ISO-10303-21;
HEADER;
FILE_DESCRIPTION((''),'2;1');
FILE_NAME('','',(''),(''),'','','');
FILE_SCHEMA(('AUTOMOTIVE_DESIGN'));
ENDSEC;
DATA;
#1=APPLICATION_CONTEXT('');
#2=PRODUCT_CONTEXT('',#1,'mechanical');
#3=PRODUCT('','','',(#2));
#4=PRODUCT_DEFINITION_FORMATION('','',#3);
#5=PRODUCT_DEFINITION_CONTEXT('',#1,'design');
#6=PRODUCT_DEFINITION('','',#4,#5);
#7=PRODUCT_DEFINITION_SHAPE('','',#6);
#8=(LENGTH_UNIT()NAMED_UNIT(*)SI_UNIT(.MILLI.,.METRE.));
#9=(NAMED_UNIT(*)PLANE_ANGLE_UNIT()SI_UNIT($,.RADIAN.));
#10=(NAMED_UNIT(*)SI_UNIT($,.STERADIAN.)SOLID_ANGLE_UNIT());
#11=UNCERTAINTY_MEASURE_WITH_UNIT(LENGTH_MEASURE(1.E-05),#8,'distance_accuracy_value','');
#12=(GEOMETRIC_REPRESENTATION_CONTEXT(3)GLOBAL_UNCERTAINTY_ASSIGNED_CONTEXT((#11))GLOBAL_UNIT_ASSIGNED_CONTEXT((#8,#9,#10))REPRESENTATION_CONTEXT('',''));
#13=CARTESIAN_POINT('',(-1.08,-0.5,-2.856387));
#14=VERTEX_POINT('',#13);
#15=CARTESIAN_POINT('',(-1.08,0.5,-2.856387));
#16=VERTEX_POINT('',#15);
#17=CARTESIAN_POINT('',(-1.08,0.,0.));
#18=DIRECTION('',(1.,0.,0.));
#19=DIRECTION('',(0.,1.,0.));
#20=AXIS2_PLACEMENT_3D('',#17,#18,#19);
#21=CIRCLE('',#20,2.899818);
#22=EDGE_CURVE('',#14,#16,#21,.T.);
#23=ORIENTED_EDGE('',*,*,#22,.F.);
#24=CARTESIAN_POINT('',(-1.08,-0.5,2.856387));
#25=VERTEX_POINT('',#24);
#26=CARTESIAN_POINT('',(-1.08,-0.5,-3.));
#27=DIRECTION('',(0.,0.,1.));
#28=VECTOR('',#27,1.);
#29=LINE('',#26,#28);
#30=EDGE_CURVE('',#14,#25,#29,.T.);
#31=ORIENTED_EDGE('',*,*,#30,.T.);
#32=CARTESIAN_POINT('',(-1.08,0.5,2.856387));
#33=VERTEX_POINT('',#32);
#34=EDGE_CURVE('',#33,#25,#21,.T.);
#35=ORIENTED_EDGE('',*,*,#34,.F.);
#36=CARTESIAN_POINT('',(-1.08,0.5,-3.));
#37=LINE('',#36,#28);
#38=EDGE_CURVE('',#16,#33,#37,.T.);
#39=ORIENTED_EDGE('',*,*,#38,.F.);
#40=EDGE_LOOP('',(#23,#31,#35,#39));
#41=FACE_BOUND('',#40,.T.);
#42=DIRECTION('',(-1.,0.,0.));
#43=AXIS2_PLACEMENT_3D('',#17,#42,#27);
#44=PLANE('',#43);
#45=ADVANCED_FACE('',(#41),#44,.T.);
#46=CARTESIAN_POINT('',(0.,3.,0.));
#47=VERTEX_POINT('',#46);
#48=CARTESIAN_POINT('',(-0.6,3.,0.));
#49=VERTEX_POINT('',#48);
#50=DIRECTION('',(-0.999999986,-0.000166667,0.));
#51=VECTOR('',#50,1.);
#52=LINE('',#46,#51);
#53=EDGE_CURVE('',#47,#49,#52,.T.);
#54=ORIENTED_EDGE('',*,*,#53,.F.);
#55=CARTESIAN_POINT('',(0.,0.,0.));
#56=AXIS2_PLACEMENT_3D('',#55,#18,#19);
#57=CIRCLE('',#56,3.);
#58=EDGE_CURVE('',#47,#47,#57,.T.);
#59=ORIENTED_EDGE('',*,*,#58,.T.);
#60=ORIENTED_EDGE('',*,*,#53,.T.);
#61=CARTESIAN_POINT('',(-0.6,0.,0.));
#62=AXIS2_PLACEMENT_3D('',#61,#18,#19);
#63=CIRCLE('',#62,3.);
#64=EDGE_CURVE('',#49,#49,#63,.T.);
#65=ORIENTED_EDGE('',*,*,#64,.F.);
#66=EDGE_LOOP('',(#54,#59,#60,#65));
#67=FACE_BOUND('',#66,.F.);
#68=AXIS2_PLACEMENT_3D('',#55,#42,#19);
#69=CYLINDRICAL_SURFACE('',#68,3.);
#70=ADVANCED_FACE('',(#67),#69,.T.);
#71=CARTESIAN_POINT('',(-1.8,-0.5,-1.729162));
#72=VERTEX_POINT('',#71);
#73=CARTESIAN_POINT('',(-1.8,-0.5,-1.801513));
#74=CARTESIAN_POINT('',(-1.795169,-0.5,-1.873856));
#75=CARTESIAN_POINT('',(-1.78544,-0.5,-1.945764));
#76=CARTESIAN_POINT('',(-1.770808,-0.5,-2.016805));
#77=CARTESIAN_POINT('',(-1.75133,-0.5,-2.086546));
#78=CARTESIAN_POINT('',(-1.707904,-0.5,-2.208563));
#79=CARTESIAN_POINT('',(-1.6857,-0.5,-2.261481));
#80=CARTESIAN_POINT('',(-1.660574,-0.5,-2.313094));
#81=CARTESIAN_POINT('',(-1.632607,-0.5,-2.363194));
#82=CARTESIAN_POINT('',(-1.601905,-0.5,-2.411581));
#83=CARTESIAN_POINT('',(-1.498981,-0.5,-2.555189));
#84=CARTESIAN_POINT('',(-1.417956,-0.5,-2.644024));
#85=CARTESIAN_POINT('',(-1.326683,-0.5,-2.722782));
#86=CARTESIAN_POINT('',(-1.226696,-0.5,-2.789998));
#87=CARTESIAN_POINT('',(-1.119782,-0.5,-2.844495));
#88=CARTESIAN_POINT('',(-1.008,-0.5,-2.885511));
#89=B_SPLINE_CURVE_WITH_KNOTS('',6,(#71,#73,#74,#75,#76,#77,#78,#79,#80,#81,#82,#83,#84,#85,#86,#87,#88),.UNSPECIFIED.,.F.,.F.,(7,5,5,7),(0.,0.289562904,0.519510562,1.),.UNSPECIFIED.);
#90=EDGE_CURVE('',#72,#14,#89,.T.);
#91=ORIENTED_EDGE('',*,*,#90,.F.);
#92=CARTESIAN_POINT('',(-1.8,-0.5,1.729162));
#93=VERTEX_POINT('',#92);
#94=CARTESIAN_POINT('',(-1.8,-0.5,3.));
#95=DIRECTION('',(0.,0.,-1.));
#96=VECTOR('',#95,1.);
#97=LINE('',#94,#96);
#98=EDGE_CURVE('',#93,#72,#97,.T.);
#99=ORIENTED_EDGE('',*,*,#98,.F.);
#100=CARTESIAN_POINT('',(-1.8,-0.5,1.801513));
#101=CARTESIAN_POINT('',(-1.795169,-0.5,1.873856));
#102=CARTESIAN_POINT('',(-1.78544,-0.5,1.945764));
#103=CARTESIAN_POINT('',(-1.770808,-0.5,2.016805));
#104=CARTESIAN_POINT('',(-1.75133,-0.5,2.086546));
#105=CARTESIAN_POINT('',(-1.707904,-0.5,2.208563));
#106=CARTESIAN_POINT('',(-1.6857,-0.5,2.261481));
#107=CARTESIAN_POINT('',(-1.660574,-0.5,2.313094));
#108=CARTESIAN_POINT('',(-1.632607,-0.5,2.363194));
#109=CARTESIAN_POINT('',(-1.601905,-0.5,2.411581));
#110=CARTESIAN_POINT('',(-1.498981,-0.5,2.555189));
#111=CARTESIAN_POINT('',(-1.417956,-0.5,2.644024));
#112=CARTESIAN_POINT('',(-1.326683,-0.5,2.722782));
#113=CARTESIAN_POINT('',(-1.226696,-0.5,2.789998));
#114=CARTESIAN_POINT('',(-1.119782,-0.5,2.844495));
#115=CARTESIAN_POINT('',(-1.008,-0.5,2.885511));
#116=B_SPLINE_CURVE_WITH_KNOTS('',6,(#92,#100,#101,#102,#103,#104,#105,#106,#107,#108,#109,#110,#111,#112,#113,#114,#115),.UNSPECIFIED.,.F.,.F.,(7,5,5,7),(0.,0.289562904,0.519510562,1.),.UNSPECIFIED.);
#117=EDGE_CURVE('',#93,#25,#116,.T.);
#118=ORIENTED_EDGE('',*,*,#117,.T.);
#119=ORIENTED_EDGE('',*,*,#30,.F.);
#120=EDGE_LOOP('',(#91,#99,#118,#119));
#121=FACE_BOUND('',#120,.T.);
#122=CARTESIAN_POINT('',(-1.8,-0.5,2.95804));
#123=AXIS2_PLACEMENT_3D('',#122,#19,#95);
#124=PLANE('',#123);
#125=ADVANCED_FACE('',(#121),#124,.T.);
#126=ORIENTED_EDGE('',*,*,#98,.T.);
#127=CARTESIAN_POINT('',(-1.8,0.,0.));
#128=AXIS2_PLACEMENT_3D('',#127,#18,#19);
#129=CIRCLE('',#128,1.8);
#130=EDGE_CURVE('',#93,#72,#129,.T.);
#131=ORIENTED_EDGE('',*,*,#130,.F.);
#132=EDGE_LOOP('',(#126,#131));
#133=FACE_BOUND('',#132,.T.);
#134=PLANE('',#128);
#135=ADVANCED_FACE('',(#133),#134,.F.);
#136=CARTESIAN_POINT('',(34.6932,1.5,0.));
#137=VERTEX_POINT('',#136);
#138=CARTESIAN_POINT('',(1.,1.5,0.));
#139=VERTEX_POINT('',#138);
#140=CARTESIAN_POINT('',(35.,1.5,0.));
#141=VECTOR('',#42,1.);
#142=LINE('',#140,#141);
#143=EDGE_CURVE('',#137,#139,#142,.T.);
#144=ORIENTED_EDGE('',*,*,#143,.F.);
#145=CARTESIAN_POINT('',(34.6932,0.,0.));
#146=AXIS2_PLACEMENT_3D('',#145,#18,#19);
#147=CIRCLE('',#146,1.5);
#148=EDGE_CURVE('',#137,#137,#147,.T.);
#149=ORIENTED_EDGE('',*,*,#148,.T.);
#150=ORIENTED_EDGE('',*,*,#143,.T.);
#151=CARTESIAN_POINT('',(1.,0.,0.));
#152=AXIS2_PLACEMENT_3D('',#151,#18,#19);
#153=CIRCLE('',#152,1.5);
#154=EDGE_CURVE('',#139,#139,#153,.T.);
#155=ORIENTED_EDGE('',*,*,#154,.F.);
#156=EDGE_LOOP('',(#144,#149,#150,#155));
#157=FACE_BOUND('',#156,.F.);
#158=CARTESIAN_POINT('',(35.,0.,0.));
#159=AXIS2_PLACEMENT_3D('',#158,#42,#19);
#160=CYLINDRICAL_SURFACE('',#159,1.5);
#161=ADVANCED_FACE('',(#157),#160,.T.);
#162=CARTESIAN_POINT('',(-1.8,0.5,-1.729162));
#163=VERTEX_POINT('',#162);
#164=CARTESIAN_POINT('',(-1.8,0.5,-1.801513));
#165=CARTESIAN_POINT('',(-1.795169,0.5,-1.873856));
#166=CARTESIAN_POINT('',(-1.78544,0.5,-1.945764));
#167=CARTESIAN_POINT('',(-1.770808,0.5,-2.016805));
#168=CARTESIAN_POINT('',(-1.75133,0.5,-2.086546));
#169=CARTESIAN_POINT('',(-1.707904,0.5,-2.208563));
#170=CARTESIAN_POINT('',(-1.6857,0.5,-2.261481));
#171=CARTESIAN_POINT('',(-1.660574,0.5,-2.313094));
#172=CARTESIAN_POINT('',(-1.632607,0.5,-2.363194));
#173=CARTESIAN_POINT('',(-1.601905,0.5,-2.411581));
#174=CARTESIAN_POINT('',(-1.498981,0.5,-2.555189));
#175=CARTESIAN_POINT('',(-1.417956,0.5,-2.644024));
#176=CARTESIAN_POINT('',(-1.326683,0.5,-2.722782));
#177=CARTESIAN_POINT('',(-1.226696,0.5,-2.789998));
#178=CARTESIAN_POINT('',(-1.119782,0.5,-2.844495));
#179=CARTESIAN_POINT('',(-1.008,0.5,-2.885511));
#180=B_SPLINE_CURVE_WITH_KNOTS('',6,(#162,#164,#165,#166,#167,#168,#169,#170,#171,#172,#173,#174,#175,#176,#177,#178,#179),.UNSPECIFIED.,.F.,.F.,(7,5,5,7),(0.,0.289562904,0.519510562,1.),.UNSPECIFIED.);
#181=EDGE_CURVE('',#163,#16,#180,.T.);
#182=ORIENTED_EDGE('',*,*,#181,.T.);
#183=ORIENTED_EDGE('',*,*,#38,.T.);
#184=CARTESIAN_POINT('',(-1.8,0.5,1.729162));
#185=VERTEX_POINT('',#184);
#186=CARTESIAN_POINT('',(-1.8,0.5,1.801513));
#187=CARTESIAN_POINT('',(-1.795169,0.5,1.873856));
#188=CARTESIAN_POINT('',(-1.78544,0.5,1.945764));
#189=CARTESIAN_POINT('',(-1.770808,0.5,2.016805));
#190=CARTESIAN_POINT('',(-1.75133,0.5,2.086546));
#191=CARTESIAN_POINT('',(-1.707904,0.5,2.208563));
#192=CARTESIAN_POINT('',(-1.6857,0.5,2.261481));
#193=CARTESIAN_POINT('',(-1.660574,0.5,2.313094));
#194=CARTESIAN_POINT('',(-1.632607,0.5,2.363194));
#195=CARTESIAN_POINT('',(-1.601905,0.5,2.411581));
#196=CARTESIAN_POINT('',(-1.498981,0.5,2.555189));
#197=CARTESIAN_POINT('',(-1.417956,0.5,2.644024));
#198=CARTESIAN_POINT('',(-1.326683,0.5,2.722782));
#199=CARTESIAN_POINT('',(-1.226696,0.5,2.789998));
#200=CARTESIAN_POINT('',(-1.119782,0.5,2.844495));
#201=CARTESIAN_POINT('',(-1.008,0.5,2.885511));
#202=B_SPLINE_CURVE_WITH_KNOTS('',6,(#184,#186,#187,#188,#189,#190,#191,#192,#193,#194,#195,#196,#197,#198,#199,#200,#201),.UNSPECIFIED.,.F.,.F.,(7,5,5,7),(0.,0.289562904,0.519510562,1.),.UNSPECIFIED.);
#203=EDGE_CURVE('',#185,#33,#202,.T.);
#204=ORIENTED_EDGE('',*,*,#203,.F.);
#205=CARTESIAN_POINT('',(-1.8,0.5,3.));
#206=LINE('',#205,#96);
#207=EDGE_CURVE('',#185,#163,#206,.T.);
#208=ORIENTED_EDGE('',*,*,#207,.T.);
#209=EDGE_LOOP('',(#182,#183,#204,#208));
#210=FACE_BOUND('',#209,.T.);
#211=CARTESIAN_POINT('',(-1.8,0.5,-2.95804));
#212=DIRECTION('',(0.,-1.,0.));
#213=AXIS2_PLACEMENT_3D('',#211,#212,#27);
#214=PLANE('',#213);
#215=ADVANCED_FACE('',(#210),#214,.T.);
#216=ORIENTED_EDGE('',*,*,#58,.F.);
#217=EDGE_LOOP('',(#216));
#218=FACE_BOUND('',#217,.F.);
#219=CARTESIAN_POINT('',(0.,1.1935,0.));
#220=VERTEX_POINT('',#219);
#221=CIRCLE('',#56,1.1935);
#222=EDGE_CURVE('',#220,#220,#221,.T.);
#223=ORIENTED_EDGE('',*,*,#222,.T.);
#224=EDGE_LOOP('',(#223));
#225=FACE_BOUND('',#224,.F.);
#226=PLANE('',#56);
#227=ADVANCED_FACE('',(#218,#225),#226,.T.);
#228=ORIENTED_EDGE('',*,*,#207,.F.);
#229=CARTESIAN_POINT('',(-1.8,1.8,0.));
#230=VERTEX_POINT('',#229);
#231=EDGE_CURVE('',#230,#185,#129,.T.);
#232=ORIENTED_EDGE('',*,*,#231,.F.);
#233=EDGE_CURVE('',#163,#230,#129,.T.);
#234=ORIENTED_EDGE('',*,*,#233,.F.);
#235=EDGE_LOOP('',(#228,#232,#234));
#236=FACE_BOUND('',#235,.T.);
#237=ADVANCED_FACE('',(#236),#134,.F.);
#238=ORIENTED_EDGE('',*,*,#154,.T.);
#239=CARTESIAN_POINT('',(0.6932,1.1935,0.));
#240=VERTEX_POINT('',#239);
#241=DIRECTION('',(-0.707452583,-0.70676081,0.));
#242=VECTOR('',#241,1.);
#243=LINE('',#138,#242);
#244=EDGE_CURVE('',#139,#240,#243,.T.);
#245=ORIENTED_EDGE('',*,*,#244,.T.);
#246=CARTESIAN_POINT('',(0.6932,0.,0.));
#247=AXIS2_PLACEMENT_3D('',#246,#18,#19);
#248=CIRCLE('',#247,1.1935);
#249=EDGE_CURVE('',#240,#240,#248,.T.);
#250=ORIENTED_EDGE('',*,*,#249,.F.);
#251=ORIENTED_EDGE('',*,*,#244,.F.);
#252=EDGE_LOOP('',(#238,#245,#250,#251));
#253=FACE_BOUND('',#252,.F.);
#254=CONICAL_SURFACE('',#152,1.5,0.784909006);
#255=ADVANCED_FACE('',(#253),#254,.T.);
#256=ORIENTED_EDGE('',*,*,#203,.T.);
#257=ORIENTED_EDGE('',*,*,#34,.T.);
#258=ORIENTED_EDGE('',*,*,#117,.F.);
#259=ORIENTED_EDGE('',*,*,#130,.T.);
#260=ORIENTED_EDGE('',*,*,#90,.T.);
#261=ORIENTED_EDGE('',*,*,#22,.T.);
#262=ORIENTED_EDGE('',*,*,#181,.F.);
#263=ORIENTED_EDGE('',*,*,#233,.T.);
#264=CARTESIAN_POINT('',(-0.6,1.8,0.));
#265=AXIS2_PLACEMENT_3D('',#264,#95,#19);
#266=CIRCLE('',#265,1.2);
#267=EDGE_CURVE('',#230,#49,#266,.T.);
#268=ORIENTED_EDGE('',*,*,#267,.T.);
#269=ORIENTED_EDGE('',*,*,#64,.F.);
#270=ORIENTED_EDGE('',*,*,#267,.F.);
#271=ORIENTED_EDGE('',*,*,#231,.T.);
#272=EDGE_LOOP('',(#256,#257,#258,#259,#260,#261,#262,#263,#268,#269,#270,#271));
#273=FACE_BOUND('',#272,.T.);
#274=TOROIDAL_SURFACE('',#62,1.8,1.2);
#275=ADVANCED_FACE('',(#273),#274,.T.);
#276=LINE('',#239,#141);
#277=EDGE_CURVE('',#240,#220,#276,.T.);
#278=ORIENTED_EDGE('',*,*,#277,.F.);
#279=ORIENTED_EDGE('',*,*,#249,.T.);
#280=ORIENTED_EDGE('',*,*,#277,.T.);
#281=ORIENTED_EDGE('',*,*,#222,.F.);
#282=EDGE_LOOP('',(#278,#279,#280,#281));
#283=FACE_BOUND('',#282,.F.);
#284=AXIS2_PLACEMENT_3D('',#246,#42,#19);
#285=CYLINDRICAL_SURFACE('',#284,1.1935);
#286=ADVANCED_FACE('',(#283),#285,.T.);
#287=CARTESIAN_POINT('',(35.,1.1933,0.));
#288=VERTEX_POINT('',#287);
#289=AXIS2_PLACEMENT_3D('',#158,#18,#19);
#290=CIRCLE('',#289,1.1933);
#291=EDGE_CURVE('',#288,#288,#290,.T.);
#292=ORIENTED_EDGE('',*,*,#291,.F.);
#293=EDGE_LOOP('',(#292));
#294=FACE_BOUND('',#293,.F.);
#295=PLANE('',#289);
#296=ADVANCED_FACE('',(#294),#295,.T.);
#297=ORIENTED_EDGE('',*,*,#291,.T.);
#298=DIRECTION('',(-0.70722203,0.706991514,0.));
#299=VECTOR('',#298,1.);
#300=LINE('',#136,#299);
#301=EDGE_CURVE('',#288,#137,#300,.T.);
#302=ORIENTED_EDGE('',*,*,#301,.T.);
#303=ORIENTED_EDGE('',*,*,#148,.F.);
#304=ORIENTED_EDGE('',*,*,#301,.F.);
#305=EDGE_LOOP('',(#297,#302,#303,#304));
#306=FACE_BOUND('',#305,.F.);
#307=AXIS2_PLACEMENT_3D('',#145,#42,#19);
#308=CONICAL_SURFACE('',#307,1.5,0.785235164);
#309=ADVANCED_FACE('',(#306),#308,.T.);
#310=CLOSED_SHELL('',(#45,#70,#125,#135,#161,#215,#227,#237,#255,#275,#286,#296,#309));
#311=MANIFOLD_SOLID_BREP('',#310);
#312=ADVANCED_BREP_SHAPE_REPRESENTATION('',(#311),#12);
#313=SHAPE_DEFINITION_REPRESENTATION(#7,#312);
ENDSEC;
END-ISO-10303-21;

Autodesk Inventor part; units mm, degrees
ref_plane "YZ Plane" through (0, 0, 0) normal (1, 0, 0) x (0, 1, 0)
ref_plane "XZ Plane" through (0, 0, 0) normal (0, 1, 0) x (-1, 0, 0)
sketch "Szkic1" plane through (0, 0, 0) normal (0, 0, 1) x (1, 0, 0)
  line L0 (-1.8, 0) -> (35, 0)
  line L1 (35, 0) -> (35, 1.5)
  line L2 (35, 1.5) -> (1, 1.5)
  line L3 (1, 1.5) -> (0.6932, 1.1935)
  line L4 (0.6932, 1.1935) -> (0, 1.1935)
  line L5 (0, 1.1935) -> (0, 3)
  line L6 (-9.16, 0) -> (42.36, 0) projected
  line L7 (0, -0.6) -> (0, 3.6) projected
  line L8 (-1.8, 0) -> (-1.8, 2.9997)
  line L9 (0, 3) -> (-1.8, 2.9997)
  line L10 (1, 1.5) -> (0, 1.5) construction
  dimension "d0" = 35
  dimension "d1" = 34
  dimension "d2" = 0.3068
  dimension "d3" = 1.8
  dimension "d4" = 3
  dimension "d5" = 2.387
  dimension "d9" = 6
  dimension "d10" = 0.01
revolve "Bryła" add sketch "Szkic1" angle 360 about axis through (-1.8, 0, 0) along (1, 0, 0)
sketch "Szkic2" plane through (-1.8, 0, 0) normal (-1, 0, 0) x (0, 0, 1)
  circle A0 centre (0, 0) radius 3 projected
  line L0 (0, 0) -> (0, 2.9997) projected
  line L1 (-3, 0.5) -> (3, 0.5)
  line L2 (3, 0.5) -> (3, -0.5)
  line L3 (3, -0.5) -> (-3, -0.5)
  line L4 (-3, -0.5) -> (-3, 0.5)
  line L5 (-3, 0) -> (3, 0) construction
  line L6 (0, 0.5) -> (0, -0.5) construction
  dimension "d11" = 1
  dimension "d12" = 6
fillet "Zaokrąglenie1" radius 1.2 1 edges at (-1.8, -2.9997, 0)
extrude "Szczelina" cut sketch "Szkic2" against normal blind 0.72 contours A0 L3 L1 | L2 L3 A0 | A0 L1 L2 | L3 L4 A0 | A0 L4 L1
thread "Gwint" size "M3x0.5" class "6g" standard "ISO Metric profile" length 34
chamfer "Faza1" distance 0.3067 distance2 0.3068 1 edges at (35, -1.5, 0) measured on face at (35, 0.1505, 0.4164)
ref_plane "Work Plane1" through (30.1625, 0, 0) normal (0, 0, -1) x (1, 0, 0)
equation "\"d11\" = SBR"
equation "\"d12\" = KOD"
equation "\"d19\" = STI"
equation "\"d14\" = RR"
equation "\"d15\" = GEL"
equation "\"d17\" = -0.5 * SPD + 0.5 * GD"
equation "\"d0\" = NLG"
equation "\"d1\" = GEL"
equation "\"d3\" = KOH"
equation "\"d4\" = GD"
equation "\"d5\" = BDM"
equation "\"d9\" = KOD"
equation "\"d10\" = KEWI"
equation "\"GD\" = NND"
equation "\"NLG\" = 35"
equation "\"GEL\" = 34"
equation "\"KOD\" = 6"
equation "\"KOH\" = 1.8"
equation "\"GAL\" = 0.61345 * PTC"
equation "\"SPD\" = NND - 1.2269 * PTC"
equation "\"BDM\" = 2.387"
equation "\"GUL\" = 0.61345 * PTC"
equation "\"RR\" = 1.2"
equation "\"SBR\" = 1"
equation "\"STI\" = 0.72"
equation "\"KEWI\" = 0.01deg"
equation "\"PTC\" = 0.5"
equation "\"THREADDIA\" = 3"
equation "\"TOA\" = 30deg"
equation "\"NND\" = 3"
equation "\"RR1\" = 0.3"
equation "\"GD1\" = THREADDIA - 1.2269 * PTC"
properties part number "AS 1427 - M3 x 35" material "Stal, miękka"
